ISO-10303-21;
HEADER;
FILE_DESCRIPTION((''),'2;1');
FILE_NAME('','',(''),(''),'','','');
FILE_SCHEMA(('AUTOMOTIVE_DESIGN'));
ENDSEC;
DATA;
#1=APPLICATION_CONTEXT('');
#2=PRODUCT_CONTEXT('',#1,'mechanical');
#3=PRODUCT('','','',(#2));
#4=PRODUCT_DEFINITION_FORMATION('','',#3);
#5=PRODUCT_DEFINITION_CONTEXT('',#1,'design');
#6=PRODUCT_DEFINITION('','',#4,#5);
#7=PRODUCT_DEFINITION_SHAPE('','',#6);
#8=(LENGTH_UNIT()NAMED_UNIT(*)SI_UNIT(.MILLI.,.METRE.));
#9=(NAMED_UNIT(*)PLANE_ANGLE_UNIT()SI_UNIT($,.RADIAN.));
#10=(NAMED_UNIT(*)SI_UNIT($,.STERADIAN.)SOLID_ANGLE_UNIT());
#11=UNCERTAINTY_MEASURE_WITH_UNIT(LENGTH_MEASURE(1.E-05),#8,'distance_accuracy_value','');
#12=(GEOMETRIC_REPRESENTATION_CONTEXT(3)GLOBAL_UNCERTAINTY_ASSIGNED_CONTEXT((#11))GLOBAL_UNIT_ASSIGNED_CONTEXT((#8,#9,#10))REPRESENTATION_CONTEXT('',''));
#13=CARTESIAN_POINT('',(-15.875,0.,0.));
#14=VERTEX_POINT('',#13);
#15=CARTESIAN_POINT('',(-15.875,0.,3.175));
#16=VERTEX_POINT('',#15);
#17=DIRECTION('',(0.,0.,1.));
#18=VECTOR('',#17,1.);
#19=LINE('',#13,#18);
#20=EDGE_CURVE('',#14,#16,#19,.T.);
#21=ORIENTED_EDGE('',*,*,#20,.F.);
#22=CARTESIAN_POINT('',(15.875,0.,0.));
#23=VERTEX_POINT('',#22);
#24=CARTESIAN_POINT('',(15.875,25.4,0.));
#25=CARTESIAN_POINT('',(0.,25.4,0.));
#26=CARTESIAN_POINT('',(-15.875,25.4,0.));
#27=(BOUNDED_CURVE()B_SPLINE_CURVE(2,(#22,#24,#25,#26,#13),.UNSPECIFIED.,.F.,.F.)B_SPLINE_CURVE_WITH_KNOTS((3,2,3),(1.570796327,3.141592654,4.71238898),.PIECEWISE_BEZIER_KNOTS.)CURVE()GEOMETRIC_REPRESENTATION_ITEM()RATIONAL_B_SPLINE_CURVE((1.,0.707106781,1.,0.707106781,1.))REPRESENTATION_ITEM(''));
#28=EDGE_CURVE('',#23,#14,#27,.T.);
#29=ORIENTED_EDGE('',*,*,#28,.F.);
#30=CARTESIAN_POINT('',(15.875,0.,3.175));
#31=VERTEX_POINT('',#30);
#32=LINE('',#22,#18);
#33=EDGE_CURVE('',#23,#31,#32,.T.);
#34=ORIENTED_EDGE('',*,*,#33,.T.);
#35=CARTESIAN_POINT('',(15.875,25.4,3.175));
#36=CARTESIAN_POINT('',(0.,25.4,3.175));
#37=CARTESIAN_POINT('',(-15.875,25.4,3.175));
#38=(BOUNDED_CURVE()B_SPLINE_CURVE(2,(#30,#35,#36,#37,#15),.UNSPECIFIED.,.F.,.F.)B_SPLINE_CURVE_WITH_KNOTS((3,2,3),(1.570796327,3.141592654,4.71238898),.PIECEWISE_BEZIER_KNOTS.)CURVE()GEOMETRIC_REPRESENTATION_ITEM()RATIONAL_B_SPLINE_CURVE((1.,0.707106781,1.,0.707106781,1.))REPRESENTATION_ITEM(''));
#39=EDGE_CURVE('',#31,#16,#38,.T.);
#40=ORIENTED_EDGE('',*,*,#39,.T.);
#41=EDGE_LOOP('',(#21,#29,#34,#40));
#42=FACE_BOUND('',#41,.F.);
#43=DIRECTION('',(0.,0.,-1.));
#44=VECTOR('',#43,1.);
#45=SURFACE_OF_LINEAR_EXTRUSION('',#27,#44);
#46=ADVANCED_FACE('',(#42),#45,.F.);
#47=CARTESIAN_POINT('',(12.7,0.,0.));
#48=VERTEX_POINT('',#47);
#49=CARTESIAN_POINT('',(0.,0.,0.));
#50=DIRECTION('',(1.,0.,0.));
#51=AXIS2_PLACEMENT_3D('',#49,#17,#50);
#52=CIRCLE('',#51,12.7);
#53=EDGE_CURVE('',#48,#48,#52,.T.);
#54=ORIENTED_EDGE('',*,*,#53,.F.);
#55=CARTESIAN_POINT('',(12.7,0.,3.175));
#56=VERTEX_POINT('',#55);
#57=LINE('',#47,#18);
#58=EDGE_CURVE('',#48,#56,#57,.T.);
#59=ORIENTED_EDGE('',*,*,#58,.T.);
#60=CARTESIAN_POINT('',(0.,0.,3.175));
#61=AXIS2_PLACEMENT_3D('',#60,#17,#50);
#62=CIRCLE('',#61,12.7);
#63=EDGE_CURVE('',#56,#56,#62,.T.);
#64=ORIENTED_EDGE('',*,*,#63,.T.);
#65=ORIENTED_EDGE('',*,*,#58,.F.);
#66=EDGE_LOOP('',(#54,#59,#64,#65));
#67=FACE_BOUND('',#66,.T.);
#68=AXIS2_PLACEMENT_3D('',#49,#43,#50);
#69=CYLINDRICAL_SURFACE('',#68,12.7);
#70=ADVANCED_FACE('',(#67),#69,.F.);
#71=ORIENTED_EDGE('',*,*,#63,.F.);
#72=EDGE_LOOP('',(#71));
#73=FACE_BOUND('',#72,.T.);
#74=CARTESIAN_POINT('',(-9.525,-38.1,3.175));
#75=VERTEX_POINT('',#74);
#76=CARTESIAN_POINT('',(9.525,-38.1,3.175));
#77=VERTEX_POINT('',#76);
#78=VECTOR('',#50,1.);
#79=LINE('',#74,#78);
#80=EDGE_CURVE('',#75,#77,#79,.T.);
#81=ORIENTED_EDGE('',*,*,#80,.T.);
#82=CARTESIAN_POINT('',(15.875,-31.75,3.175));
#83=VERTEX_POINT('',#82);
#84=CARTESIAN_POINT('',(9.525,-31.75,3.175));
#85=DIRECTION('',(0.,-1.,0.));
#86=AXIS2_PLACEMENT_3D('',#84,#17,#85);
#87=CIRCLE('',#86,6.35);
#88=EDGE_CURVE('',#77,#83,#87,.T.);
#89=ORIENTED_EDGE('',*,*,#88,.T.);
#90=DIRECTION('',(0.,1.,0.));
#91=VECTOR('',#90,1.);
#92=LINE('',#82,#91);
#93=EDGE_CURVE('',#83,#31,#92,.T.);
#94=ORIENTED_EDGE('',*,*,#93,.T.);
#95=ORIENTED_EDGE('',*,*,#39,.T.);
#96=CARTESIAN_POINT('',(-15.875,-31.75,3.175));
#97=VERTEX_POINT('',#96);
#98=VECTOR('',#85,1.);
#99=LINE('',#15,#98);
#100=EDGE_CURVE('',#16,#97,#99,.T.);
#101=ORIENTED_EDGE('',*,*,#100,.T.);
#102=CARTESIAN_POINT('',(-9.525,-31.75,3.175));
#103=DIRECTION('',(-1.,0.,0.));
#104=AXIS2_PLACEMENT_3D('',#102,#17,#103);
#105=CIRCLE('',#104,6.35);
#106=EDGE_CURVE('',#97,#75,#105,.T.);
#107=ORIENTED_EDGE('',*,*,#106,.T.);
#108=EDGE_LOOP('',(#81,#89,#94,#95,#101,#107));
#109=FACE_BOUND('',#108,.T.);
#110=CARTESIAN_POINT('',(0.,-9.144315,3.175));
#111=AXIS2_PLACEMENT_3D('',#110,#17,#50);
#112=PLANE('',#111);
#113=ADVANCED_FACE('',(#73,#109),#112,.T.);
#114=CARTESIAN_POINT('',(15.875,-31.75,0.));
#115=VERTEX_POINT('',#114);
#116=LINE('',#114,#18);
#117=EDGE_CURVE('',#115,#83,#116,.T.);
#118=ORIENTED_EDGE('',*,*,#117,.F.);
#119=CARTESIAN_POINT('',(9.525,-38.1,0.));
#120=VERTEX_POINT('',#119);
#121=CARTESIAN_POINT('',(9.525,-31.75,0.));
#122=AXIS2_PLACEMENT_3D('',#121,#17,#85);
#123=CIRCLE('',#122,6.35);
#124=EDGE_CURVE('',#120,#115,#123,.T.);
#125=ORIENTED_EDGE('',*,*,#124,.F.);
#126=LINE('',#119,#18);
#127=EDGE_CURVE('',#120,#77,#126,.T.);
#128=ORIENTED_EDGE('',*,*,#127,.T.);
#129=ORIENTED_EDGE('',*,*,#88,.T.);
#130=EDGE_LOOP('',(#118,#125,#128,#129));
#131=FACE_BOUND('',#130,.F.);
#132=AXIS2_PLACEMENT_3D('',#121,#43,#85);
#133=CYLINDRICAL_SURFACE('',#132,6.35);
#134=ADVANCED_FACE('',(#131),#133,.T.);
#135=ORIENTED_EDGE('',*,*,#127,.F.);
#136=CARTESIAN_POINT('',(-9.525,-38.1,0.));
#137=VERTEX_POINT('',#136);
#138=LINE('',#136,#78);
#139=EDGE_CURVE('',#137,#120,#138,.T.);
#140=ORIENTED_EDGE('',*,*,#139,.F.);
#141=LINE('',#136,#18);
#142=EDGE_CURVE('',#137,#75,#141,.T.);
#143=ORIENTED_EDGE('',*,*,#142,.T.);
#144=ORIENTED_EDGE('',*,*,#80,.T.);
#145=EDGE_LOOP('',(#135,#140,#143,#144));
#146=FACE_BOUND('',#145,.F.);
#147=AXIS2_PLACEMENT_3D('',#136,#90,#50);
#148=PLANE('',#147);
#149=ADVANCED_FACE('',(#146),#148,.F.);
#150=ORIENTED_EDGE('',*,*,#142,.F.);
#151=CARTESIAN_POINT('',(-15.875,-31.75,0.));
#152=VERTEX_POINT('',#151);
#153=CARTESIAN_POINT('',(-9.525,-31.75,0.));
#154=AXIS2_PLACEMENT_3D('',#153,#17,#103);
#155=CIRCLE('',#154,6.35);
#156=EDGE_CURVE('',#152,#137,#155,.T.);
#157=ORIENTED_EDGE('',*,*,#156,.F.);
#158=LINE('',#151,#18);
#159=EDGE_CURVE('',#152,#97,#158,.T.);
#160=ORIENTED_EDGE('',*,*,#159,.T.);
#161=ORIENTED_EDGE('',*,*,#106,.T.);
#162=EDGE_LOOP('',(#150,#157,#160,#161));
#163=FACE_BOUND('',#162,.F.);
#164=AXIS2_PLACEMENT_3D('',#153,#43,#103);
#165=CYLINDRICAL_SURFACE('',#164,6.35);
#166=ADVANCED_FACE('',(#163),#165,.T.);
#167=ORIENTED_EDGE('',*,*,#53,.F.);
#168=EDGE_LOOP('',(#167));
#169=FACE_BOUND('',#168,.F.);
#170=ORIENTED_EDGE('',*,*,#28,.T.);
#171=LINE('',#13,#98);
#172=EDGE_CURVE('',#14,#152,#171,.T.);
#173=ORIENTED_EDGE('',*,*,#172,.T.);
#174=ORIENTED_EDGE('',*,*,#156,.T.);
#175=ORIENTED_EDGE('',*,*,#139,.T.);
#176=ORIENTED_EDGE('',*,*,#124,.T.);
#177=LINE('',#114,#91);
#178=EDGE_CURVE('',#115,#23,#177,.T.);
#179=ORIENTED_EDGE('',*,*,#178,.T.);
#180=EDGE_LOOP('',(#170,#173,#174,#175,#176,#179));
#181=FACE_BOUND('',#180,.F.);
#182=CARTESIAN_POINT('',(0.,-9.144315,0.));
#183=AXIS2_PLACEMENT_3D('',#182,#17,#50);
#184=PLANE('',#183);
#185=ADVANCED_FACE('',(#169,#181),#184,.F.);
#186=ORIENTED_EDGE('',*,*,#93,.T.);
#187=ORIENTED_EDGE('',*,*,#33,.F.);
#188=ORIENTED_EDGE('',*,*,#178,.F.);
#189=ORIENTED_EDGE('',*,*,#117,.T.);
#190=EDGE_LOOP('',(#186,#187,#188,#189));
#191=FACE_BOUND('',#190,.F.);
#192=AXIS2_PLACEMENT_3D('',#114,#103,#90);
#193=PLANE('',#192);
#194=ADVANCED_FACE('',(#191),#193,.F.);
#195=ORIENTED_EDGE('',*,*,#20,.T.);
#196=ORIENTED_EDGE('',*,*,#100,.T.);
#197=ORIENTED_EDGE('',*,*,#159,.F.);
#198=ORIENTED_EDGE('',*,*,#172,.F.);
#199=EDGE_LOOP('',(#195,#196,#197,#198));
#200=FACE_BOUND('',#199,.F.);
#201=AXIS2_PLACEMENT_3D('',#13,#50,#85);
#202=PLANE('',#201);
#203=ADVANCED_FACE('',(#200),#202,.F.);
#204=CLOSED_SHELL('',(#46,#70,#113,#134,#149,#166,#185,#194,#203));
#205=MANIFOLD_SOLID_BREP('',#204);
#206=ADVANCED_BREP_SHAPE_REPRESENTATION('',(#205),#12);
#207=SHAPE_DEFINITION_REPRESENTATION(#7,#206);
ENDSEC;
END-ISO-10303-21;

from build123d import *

# Parameters (mm, degrees)
F0_R     = 12.7
F1_DEPTH = 3.175


with BuildPart() as f1:
    # F0 (on Top) → F1 (new body)
    with BuildSketch(Plane.XY):
        with BuildLine():
            Line((15.875, -31.75), (15.875, 0))
            add(Edge.make_bspline(
                [(15.875, 0), (15.875, 25.4), (0, 25.4), (-15.875, 25.4), (-15.875, 0)],
                knots=[1.5707963268, 1.5707963268, 1.5707963268, 3.1415926536, 3.1415926536, 4.7123889804, 4.7123889804, 4.7123889804], degree=2, weights=[1, 0.7071067812, 1, 0.7071067812, 1]))
            Line((-15.875, 0), (-15.875, -31.75))
            ThreePointArc((-15.875, -31.75), (-14.0151280605, -36.2401280605), (-9.525, -38.1))
            Line((-9.525, -38.1), (9.525, -38.1))
            ThreePointArc((9.525, -38.1), (14.0151280605, -36.2401280605), (15.875, -31.75))
        make_face()
        Circle(F0_R, mode=Mode.SUBTRACT)
    extrude(amount=F1_DEPTH)


solid = f1.part
